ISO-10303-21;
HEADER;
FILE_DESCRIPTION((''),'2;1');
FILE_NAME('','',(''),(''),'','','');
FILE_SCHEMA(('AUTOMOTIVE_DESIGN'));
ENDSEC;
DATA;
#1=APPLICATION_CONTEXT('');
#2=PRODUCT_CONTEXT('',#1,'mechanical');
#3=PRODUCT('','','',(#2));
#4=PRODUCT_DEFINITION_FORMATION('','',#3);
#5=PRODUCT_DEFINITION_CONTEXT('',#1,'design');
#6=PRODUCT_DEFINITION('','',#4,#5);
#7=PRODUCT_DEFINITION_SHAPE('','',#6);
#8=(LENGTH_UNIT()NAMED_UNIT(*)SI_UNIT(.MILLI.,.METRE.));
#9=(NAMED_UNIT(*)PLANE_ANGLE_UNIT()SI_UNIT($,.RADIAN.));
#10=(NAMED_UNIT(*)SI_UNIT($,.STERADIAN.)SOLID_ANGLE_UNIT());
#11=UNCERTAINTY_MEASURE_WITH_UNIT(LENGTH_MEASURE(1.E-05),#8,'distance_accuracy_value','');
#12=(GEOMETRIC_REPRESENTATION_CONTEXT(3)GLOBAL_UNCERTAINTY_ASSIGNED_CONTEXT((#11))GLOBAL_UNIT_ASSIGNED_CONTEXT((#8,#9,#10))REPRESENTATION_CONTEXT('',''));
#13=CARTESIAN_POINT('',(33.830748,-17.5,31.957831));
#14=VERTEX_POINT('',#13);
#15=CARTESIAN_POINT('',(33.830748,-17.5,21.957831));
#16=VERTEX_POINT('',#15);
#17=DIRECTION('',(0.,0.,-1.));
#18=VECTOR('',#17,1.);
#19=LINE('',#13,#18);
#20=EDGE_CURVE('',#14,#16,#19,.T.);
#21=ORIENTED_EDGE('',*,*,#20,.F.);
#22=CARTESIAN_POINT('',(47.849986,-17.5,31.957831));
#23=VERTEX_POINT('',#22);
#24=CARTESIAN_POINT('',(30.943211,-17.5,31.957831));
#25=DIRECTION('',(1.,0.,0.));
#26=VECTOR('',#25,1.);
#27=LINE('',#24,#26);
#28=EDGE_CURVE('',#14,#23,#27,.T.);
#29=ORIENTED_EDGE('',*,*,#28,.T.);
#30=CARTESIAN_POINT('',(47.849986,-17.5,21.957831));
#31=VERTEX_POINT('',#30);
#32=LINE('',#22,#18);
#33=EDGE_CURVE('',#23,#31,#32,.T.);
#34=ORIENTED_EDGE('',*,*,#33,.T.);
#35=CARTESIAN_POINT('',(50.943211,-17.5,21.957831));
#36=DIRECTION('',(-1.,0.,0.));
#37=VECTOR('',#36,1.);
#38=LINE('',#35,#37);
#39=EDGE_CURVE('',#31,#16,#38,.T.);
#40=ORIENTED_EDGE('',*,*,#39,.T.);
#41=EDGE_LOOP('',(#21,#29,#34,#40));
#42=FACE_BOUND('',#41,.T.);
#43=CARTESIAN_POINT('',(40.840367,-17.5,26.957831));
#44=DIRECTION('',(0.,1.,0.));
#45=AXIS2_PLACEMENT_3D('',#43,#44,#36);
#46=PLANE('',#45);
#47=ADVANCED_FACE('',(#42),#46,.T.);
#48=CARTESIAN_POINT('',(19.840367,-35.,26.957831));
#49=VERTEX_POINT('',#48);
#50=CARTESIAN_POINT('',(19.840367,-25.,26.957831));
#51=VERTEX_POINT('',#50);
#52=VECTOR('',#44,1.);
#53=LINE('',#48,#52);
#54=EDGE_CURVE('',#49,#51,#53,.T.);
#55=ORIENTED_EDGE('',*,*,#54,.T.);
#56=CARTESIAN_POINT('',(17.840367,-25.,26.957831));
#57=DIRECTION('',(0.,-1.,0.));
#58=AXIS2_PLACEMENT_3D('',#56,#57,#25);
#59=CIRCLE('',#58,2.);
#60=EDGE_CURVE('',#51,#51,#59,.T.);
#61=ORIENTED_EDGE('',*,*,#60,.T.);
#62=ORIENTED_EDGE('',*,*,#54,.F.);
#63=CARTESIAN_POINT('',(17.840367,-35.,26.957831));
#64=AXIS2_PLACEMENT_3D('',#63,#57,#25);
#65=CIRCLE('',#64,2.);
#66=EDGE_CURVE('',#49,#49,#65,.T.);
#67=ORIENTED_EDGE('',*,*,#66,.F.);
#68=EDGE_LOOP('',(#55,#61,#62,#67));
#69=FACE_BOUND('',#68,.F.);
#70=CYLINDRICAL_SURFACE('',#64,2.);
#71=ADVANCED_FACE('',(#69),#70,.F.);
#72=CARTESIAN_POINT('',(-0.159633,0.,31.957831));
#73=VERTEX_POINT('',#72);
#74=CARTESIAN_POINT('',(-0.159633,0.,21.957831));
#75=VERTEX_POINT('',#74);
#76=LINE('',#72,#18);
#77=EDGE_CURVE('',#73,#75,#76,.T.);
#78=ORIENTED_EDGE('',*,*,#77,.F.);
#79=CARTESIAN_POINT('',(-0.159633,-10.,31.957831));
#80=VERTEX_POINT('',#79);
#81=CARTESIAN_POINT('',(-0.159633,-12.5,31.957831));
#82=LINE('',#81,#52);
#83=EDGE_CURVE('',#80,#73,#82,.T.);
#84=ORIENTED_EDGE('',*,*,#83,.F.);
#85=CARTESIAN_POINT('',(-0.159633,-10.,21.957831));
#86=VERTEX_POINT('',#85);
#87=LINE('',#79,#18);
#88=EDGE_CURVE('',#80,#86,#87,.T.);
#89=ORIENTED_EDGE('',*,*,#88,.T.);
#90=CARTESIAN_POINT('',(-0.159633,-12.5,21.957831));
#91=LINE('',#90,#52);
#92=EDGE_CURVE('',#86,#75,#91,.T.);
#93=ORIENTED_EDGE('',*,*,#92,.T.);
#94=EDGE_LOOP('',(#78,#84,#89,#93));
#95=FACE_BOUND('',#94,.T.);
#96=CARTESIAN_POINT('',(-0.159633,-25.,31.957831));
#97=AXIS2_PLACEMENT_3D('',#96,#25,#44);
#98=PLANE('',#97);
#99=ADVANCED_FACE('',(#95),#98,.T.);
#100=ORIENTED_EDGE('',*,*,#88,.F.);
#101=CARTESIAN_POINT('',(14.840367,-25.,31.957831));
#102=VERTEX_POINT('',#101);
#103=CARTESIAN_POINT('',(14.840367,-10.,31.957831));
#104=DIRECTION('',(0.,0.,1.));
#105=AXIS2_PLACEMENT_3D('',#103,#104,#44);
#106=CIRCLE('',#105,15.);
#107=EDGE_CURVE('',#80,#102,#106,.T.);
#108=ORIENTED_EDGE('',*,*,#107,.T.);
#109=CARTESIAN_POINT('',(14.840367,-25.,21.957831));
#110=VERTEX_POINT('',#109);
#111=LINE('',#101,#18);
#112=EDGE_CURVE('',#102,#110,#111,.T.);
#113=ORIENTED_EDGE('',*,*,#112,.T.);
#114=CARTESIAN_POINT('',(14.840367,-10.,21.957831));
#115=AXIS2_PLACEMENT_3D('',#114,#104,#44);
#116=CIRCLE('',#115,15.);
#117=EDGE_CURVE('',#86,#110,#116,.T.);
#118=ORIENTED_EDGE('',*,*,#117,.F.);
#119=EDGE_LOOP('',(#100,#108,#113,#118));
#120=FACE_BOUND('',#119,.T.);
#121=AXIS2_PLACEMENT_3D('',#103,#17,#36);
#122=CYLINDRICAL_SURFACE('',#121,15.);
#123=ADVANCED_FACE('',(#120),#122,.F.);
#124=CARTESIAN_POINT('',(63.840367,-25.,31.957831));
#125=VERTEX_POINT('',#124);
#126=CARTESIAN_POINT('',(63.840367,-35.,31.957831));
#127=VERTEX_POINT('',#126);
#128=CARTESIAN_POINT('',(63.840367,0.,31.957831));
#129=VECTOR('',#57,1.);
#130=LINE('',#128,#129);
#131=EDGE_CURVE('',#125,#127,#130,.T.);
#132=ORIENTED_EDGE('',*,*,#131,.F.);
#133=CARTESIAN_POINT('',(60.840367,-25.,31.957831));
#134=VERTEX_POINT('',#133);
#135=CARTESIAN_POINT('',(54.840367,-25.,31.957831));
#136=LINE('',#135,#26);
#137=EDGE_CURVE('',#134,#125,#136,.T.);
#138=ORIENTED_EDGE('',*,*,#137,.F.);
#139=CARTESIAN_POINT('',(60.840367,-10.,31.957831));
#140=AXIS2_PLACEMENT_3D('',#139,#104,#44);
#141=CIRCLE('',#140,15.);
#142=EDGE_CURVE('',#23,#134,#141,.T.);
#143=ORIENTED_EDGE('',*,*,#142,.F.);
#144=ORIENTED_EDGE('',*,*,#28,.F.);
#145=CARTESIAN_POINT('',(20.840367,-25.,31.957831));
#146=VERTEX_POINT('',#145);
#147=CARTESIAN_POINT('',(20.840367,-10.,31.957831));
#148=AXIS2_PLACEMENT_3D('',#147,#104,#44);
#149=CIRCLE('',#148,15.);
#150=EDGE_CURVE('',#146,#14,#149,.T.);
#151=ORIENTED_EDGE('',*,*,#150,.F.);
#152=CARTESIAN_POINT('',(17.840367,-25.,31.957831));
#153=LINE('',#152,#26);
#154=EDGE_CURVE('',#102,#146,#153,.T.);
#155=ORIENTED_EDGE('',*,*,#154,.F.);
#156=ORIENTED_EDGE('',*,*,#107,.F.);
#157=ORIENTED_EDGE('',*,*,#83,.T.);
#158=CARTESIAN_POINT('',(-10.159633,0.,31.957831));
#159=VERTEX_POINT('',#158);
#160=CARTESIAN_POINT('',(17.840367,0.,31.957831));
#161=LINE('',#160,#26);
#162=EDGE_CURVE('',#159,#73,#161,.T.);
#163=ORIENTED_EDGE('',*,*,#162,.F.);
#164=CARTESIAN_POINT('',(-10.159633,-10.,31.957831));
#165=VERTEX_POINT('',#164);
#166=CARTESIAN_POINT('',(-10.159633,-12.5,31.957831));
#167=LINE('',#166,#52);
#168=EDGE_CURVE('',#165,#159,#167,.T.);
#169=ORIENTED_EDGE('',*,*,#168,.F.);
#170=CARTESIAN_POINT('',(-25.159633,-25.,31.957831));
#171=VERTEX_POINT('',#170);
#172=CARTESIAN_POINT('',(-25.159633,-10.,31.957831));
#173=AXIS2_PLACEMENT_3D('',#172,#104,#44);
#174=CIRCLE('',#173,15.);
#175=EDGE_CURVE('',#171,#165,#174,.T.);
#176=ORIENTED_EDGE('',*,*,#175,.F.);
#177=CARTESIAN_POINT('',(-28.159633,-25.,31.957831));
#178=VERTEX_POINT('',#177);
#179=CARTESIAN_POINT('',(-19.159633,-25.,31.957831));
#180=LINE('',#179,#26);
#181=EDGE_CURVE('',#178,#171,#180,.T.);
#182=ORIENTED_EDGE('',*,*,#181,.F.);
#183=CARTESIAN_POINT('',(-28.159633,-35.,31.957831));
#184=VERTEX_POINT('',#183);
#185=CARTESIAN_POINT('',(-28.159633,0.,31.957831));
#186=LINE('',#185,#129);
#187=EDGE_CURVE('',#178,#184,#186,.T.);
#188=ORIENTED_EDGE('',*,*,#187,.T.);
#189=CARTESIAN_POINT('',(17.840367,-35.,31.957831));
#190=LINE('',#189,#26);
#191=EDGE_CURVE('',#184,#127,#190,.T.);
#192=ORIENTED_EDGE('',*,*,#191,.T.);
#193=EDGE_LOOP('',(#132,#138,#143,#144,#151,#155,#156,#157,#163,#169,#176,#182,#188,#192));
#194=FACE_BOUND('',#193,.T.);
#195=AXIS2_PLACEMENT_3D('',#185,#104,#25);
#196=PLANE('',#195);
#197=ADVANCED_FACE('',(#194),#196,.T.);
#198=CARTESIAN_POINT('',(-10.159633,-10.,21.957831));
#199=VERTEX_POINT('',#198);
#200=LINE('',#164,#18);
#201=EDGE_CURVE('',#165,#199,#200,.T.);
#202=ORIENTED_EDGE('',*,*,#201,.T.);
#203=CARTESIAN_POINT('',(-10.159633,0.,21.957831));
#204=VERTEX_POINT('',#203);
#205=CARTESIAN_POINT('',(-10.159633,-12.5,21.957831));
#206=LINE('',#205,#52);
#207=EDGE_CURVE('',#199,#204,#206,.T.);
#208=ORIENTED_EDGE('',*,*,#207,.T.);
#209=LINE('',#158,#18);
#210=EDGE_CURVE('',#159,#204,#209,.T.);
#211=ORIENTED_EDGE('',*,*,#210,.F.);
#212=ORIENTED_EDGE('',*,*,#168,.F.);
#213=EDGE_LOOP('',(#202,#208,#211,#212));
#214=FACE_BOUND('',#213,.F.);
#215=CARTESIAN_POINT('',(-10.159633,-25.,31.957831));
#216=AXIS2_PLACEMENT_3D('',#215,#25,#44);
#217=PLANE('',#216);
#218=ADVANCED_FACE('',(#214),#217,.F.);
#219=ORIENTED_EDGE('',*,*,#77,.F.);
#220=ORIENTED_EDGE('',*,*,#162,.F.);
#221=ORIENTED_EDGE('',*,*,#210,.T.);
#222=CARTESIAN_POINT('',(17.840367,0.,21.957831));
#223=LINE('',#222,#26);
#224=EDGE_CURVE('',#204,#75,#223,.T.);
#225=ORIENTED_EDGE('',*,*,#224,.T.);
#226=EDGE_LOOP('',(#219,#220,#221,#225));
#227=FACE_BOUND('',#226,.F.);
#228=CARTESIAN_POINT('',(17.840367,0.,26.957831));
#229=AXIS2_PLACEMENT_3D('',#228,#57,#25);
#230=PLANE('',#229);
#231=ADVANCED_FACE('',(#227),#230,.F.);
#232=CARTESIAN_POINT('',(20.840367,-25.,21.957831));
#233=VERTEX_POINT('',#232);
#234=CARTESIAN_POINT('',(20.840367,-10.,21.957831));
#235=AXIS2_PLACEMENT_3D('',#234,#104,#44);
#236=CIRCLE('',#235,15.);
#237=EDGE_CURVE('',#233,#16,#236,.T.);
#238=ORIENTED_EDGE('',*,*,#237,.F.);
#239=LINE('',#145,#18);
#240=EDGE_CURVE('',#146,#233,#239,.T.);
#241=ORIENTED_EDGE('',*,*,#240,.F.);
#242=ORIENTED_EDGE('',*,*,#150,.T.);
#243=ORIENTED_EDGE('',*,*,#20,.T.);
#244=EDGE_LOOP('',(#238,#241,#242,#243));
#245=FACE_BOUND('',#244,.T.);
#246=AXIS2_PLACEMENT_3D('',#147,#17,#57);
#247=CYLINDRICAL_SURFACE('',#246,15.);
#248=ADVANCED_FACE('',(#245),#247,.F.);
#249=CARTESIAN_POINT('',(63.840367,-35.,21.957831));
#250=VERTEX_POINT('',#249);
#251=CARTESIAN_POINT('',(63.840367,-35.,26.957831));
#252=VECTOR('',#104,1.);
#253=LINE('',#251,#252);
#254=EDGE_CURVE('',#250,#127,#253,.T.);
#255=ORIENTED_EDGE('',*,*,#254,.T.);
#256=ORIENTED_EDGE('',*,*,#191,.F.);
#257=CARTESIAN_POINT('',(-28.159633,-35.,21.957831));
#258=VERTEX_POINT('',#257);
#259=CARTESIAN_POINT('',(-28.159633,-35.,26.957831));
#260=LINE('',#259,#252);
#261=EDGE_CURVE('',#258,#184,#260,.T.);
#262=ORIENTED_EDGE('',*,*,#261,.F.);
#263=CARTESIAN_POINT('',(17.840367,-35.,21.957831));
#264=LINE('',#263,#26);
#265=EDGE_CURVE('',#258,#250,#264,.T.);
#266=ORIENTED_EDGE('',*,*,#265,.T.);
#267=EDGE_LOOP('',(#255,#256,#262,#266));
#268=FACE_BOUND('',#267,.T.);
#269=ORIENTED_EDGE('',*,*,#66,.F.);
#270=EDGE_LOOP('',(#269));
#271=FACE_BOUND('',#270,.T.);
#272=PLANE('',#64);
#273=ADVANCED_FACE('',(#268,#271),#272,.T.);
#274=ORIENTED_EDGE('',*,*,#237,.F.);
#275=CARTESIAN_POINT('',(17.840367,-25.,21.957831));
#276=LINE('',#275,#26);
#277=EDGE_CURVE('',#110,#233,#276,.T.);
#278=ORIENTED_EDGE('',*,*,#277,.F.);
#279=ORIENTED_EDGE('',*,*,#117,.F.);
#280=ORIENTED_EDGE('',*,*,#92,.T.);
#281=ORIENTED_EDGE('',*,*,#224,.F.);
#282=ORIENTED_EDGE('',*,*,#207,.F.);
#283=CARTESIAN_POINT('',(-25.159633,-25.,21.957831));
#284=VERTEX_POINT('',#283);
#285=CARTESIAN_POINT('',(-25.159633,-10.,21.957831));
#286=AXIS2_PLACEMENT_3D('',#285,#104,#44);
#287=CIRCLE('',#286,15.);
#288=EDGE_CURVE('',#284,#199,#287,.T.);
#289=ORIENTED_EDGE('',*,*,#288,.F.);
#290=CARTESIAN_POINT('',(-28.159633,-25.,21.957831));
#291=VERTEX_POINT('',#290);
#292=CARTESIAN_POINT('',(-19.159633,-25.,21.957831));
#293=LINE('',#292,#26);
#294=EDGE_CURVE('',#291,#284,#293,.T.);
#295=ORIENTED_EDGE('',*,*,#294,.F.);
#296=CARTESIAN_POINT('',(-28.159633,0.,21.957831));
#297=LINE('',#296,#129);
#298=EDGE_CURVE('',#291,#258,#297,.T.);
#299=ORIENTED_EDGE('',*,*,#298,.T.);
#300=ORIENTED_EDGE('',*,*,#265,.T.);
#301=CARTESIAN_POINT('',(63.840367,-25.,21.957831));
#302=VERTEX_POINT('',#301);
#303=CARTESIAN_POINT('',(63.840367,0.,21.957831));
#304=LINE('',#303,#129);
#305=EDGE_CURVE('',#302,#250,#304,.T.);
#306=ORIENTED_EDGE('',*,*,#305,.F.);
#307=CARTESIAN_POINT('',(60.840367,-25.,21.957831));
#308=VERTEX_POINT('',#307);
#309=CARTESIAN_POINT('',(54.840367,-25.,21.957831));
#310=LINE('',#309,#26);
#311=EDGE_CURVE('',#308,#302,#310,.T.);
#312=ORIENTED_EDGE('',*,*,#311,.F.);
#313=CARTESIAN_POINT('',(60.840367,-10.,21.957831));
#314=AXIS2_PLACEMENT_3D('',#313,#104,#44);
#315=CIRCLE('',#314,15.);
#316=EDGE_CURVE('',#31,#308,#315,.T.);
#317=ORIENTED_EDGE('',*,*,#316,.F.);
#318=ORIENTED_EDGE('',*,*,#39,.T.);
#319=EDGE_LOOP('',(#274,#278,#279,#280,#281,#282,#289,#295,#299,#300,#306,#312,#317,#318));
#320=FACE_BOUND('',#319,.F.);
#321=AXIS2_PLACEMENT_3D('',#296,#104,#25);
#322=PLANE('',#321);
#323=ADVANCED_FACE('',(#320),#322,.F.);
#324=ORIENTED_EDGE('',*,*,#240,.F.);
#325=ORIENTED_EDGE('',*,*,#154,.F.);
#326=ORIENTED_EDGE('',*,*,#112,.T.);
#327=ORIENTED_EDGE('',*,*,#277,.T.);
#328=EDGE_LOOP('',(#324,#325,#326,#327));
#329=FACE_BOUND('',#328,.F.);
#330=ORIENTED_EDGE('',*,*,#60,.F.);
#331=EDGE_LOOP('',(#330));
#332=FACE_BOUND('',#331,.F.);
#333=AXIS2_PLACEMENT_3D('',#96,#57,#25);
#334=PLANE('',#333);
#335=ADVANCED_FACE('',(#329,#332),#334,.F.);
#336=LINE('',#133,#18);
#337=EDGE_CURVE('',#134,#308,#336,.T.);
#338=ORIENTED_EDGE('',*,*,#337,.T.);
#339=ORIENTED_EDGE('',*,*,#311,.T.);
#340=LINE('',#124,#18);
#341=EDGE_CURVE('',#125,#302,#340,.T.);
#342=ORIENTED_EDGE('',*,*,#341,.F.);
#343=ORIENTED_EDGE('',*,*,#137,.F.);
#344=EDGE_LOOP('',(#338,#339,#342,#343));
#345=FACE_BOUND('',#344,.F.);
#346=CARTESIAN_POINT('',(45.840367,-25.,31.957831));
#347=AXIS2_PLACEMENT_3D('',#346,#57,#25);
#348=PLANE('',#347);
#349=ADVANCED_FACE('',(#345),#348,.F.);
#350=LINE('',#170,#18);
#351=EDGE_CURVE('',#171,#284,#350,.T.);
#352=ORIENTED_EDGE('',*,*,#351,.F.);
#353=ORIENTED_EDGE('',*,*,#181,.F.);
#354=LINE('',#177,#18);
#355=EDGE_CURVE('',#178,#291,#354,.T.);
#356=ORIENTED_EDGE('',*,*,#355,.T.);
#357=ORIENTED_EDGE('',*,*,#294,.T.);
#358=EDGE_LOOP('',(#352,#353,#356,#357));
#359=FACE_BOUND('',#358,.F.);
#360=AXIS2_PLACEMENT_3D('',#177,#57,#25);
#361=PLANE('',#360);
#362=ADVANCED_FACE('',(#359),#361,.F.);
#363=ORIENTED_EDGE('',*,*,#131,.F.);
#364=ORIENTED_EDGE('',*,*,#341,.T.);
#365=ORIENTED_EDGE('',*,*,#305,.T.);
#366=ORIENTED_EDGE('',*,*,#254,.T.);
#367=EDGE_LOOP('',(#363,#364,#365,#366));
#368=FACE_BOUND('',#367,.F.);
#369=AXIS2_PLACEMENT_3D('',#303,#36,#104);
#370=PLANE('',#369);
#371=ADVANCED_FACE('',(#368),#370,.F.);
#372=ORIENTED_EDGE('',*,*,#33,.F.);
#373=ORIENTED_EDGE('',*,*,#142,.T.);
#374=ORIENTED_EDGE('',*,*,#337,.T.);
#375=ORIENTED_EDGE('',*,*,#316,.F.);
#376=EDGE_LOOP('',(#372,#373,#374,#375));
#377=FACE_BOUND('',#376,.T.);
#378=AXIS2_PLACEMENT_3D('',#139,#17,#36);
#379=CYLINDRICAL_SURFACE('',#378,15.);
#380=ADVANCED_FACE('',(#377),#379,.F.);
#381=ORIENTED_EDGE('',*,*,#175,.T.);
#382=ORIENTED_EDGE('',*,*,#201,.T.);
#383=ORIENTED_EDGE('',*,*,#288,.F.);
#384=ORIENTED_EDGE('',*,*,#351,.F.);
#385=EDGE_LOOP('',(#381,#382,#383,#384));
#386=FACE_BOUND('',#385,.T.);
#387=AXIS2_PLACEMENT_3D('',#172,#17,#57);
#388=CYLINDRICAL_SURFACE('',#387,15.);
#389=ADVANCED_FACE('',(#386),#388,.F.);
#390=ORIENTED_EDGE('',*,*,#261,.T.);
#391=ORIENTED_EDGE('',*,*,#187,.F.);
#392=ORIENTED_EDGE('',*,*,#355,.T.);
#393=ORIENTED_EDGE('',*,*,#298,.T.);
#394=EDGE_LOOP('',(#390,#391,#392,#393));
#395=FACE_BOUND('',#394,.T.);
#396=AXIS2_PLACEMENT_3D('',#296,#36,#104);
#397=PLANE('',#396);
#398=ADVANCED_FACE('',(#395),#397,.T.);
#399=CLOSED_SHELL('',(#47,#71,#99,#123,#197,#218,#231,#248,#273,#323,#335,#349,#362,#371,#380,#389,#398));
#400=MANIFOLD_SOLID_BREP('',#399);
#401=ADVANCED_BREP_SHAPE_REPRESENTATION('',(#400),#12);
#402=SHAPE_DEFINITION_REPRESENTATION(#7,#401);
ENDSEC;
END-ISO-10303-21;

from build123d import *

# Parameters (mm, degrees)
F0_W     = 92
F0_H     = 10
F1_DEPTH = 35
F2_W     = 18
F2_H     = 25
F2_W_2   = 36
F3_DEPTH = 10
F4_R     = 2
F5_DEPTH = 10
F6_R     = 15
F7_W     = 10
F7_H     = 10
F7_W_2   = 4.897156
F7_W_3   = 5.102844
F8_DEPTH = 17.5


with BuildPart() as f1:
    # F0 (on Front) → F1 (new body)
    with BuildSketch(Plane.XZ):
        with Locations((17.840367, 26.957831)):
            Rectangle(F0_W, F0_H)
    extrude(amount=F1_DEPTH)

    # F2 (on face) → F3 (cut)
    with BuildSketch(Plane.XY.offset(31.957831)):
        with Locations((-19.159633, -12.5)):
            Rectangle(F2_W, F2_H)
        with Locations((17.840367, -12.5)):
            Rectangle(F2_W_2, F2_H)
        with Locations((54.840367, -12.5)):
            Rectangle(F2_W, F2_H)
    extrude(amount=-F3_DEPTH, mode=Mode.SUBTRACT)

    # F4 (on face) → F5 (cut)
    with BuildSketch(Plane.XZ.offset(35)):
        with Locations((17.840367, 26.957831)):
            Circle(F4_R)
    extrude(amount=-F5_DEPTH, mode=Mode.SUBTRACT)

    # F6
    f6_edges = [f1.edges().sort_by_distance(p)[0] for p in [
        (-0.159633, -25, 26.957831),
        (45.840367, -25, 26.957831),
        (35.840367, -25, 26.957831),
        (-10.159633, -25, 26.957831),
    ]]
    fillet(f6_edges, radius=F6_R)

    # F7 (on face) → F8 (cut)
    with BuildSketch(Plane(origin=(0, 0, 0), x_dir=(-1, 0, 0), z_dir=(0, 1, 0))):
        with Locations((-40.840367, 26.957831)):
            Rectangle(F7_W, F7_H)
        with Locations((-33.391789, 26.957831)):
            Rectangle(F7_W_2, F7_H)
        with Locations((-48.391789, 26.957831)):
            Rectangle(F7_W_3, F7_H)
    extrude(amount=-F8_DEPTH, mode=Mode.SUBTRACT)


solid = f1.part
